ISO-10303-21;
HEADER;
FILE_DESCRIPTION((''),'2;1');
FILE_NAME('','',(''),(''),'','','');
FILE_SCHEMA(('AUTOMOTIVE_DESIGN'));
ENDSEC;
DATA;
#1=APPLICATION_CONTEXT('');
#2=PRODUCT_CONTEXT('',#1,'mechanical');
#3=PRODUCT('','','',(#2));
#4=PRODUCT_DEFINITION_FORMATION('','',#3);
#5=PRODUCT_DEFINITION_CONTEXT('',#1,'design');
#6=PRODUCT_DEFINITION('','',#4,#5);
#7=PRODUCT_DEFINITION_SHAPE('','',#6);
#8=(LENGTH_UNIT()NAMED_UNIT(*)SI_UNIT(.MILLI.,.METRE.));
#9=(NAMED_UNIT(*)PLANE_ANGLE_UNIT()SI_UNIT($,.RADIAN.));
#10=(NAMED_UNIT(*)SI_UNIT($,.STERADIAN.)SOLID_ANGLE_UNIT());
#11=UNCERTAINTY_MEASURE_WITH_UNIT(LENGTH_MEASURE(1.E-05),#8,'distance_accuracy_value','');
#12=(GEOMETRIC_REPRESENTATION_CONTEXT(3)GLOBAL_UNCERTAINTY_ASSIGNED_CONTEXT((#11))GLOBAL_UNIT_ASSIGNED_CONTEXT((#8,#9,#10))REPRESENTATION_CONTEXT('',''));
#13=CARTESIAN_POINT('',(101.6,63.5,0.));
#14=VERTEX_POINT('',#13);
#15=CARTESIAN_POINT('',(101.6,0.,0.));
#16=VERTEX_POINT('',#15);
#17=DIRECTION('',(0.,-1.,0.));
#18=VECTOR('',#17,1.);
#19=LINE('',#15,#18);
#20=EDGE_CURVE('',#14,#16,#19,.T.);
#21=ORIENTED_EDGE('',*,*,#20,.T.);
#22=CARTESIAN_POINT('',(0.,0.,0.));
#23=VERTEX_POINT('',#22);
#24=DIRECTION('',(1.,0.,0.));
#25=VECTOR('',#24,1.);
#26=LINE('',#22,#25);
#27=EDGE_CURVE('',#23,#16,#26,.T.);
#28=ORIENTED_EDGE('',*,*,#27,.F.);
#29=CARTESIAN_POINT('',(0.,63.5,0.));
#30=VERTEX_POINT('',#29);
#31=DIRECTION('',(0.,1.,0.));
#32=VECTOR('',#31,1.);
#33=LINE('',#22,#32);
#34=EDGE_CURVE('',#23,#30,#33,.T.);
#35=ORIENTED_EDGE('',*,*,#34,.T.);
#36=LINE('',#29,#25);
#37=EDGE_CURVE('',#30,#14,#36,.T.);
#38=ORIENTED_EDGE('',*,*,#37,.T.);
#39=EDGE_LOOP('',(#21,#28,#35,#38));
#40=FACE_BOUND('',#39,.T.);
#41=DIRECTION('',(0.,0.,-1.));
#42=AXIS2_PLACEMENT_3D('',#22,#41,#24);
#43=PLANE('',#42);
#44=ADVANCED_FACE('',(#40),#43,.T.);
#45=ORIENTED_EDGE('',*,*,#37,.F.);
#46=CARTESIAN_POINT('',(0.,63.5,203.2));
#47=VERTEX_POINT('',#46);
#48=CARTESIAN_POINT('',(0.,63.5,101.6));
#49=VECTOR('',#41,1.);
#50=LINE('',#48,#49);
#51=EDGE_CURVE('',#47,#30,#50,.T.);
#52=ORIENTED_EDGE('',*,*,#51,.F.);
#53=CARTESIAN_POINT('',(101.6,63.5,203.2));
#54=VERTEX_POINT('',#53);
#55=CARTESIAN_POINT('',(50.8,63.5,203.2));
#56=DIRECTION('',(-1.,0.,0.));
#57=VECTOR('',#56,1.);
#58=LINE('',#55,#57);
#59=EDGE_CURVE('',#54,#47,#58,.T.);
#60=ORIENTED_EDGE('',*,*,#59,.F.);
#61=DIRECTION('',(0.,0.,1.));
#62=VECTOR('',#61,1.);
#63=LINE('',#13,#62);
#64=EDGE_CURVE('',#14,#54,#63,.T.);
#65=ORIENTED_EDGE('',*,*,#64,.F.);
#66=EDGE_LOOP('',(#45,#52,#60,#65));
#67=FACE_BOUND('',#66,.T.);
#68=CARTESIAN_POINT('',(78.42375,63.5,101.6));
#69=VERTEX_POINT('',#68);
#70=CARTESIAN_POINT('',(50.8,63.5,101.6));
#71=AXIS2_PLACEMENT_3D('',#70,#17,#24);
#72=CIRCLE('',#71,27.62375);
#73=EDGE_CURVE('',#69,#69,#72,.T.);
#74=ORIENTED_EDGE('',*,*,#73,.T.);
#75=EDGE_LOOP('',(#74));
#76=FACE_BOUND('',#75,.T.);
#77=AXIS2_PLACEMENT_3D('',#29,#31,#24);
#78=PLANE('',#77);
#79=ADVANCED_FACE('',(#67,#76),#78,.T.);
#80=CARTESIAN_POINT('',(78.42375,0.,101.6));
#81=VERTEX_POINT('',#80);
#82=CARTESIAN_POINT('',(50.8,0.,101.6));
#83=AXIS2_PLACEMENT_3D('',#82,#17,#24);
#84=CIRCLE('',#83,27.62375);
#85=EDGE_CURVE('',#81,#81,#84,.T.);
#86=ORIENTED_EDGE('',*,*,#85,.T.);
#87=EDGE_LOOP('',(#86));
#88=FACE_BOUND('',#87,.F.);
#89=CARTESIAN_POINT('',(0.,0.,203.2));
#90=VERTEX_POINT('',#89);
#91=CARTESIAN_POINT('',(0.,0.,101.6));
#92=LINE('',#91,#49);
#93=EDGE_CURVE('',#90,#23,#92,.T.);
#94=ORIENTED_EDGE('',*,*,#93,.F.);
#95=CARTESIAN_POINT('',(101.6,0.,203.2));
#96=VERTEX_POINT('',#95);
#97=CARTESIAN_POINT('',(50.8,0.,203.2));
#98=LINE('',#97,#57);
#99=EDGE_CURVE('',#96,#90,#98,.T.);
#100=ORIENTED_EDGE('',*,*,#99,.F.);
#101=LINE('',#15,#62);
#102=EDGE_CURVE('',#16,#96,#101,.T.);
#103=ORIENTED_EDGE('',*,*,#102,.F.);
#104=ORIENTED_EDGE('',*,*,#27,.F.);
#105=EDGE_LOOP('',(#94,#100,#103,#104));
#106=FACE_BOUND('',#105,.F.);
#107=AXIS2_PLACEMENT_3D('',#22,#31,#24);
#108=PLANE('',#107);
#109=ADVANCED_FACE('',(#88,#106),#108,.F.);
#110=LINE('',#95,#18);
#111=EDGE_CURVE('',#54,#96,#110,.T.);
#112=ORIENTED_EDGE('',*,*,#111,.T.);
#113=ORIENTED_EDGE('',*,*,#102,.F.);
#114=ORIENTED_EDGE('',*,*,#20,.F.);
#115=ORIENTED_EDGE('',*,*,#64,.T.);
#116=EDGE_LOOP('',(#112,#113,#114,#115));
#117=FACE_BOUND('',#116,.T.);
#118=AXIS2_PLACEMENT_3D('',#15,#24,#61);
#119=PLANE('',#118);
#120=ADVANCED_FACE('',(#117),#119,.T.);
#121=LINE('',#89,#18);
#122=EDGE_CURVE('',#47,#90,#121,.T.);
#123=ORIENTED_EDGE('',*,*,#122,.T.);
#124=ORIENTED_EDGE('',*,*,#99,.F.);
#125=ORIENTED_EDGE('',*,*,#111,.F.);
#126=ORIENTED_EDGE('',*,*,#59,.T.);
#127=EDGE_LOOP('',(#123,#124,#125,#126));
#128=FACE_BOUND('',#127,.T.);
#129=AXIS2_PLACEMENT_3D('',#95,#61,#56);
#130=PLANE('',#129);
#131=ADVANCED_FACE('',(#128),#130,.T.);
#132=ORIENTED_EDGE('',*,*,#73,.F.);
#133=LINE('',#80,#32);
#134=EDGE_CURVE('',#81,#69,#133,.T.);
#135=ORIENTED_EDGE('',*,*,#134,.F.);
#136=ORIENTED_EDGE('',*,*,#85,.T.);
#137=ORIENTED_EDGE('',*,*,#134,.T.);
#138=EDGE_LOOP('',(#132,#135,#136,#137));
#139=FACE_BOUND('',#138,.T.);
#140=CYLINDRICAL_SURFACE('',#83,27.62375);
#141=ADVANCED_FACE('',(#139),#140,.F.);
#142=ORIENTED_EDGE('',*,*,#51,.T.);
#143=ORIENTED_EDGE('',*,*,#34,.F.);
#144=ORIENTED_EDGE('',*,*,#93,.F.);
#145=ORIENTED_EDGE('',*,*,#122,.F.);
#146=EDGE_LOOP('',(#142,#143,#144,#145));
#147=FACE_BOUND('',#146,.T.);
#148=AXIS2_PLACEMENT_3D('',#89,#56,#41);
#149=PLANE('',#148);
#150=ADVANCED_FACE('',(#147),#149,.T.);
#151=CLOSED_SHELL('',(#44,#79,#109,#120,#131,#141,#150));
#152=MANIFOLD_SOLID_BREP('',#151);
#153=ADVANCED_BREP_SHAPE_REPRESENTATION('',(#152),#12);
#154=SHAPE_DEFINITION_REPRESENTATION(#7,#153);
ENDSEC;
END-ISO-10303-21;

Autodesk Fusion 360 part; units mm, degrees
sketch "Sketch1" plane through (0, 0, 0) normal (0, 1, 0) x (1, 0, 0) in component "Nut_template"
  line L0 (0, 0) -> (101.6, 0)
  line L1 (101.6, 0) -> (101.6, -203.2)
  line L2 (101.6, -203.2) -> (0, -203.2)
  line L3 (0, -203.2) -> (0, 0)
  circle A0 centre (50.8, -101.6) radius 31.75
  line L4 (0, -203.2) -> (101.6, 0) construction
  line L5 (0, 0) -> (101.6, -203.2) construction
  point P0 (50.8, -101.6)
  dimension "d38" = 101.6
  dimension "d39" = 203.2
  dimension "d40" = 63.5
extrude "Extrude1" add sketch "Sketch1" along normal blind 63.5 in component "Nut_template"
thread "Thread1" "ACME Screw Threads 2 1/2 2.5000 4G" major diameter 64.262 minor diameter 55.2475 pitch 8.4667 angle 29 resizes the face on face at (82.5105, 42.3333, 103.1826) in component "Nut_template"
component "Nut_template" placed x (1, 0, 0) y (0, 1, 0) z (0, 0, 1) at (0, 0, 0)
equation "d38 = nut_width"
equation "d39 = nut_length"
equation "d40 = screw_diameter"
equation "d41 = nut_thickness"
equation "screw_diameter = 2.5 in"
equation "nut_thickness = 2.5 in"
equation "nut_length = 8 in"
equation "nut_width = 4 in"
equation "height_Ref = 34 in"
equation "length_Ref = 84 in"
equation "width_Ref = 24 in"
equation "cabinet_thickness_Ref = 0.75 in"
equation "chamfer_large_Ref = 0.5 in"
equation "chamfer_medium_Ref = 0.25 in"
equation "chamfer_small_Ref = 0.125 in"
equation "dogHole_length_Ref = 1 in"
equation "dogHole_setback_Ref = 1.75 in"
equation "dogHole_spacing_Ref = 4 in"
equation "dogHole_width_Ref = 0.75 in"
equation "dovetail_angle_Ref = 18 deg"
equation "leg_angle_Ref = 10 deg"
equation "leg_shoulderWidth_Ref = 0.25 in"
equation "leg_thickness_Ref = 4 in"
equation "leg_width_Ref = 5 in"
equation "panelGroove_width_Ref = 0.25 in"
equation "screw_diameter_Ref = 2.5 in"
equation "shoulder_width_Ref = 0.5 in"
equation "stretcher_thickness_Ref = 2 in"
equation "stretcher_width_Ref = 4 in"
equation "tenon_length_Ref = 1.5 in"
equation "top_leftOverhang_Ref = 6 in"
equation "top_rightOverhang_Ref = 20 in"
equation "top_thickness_Ref = 4 in"
equation "wagonVise_topThickness_Ref = 1 in"
equation "dog_headHeight_Ref = 1 in"
equation "lvScrew_height_Ref = 22 in"
equation "lvGuide_width_Ref = 3 in"
equation "lvGuide_thickness_Ref = 1 in"
equation "lvGuide_height_Ref = 6 in"
equation "nut_thickness_Ref = 2 in"
equation "nut_length_Ref = 8 in"
equation "nut_width_Ref = 4 in"
equation "garter_thickness_Ref = 0.25 in"
equation "handle_diameter_Ref = 1 in"
equation "garter_width_Ref = 4 in"
equation "lvPin_diameter_Ref = 0.5 in"
equation "endCap_thickness_Ref = 2.5 in"
equation "screw_length_Ref = 24 in"
equation "screw_hubLength_Ref = 4 in"
